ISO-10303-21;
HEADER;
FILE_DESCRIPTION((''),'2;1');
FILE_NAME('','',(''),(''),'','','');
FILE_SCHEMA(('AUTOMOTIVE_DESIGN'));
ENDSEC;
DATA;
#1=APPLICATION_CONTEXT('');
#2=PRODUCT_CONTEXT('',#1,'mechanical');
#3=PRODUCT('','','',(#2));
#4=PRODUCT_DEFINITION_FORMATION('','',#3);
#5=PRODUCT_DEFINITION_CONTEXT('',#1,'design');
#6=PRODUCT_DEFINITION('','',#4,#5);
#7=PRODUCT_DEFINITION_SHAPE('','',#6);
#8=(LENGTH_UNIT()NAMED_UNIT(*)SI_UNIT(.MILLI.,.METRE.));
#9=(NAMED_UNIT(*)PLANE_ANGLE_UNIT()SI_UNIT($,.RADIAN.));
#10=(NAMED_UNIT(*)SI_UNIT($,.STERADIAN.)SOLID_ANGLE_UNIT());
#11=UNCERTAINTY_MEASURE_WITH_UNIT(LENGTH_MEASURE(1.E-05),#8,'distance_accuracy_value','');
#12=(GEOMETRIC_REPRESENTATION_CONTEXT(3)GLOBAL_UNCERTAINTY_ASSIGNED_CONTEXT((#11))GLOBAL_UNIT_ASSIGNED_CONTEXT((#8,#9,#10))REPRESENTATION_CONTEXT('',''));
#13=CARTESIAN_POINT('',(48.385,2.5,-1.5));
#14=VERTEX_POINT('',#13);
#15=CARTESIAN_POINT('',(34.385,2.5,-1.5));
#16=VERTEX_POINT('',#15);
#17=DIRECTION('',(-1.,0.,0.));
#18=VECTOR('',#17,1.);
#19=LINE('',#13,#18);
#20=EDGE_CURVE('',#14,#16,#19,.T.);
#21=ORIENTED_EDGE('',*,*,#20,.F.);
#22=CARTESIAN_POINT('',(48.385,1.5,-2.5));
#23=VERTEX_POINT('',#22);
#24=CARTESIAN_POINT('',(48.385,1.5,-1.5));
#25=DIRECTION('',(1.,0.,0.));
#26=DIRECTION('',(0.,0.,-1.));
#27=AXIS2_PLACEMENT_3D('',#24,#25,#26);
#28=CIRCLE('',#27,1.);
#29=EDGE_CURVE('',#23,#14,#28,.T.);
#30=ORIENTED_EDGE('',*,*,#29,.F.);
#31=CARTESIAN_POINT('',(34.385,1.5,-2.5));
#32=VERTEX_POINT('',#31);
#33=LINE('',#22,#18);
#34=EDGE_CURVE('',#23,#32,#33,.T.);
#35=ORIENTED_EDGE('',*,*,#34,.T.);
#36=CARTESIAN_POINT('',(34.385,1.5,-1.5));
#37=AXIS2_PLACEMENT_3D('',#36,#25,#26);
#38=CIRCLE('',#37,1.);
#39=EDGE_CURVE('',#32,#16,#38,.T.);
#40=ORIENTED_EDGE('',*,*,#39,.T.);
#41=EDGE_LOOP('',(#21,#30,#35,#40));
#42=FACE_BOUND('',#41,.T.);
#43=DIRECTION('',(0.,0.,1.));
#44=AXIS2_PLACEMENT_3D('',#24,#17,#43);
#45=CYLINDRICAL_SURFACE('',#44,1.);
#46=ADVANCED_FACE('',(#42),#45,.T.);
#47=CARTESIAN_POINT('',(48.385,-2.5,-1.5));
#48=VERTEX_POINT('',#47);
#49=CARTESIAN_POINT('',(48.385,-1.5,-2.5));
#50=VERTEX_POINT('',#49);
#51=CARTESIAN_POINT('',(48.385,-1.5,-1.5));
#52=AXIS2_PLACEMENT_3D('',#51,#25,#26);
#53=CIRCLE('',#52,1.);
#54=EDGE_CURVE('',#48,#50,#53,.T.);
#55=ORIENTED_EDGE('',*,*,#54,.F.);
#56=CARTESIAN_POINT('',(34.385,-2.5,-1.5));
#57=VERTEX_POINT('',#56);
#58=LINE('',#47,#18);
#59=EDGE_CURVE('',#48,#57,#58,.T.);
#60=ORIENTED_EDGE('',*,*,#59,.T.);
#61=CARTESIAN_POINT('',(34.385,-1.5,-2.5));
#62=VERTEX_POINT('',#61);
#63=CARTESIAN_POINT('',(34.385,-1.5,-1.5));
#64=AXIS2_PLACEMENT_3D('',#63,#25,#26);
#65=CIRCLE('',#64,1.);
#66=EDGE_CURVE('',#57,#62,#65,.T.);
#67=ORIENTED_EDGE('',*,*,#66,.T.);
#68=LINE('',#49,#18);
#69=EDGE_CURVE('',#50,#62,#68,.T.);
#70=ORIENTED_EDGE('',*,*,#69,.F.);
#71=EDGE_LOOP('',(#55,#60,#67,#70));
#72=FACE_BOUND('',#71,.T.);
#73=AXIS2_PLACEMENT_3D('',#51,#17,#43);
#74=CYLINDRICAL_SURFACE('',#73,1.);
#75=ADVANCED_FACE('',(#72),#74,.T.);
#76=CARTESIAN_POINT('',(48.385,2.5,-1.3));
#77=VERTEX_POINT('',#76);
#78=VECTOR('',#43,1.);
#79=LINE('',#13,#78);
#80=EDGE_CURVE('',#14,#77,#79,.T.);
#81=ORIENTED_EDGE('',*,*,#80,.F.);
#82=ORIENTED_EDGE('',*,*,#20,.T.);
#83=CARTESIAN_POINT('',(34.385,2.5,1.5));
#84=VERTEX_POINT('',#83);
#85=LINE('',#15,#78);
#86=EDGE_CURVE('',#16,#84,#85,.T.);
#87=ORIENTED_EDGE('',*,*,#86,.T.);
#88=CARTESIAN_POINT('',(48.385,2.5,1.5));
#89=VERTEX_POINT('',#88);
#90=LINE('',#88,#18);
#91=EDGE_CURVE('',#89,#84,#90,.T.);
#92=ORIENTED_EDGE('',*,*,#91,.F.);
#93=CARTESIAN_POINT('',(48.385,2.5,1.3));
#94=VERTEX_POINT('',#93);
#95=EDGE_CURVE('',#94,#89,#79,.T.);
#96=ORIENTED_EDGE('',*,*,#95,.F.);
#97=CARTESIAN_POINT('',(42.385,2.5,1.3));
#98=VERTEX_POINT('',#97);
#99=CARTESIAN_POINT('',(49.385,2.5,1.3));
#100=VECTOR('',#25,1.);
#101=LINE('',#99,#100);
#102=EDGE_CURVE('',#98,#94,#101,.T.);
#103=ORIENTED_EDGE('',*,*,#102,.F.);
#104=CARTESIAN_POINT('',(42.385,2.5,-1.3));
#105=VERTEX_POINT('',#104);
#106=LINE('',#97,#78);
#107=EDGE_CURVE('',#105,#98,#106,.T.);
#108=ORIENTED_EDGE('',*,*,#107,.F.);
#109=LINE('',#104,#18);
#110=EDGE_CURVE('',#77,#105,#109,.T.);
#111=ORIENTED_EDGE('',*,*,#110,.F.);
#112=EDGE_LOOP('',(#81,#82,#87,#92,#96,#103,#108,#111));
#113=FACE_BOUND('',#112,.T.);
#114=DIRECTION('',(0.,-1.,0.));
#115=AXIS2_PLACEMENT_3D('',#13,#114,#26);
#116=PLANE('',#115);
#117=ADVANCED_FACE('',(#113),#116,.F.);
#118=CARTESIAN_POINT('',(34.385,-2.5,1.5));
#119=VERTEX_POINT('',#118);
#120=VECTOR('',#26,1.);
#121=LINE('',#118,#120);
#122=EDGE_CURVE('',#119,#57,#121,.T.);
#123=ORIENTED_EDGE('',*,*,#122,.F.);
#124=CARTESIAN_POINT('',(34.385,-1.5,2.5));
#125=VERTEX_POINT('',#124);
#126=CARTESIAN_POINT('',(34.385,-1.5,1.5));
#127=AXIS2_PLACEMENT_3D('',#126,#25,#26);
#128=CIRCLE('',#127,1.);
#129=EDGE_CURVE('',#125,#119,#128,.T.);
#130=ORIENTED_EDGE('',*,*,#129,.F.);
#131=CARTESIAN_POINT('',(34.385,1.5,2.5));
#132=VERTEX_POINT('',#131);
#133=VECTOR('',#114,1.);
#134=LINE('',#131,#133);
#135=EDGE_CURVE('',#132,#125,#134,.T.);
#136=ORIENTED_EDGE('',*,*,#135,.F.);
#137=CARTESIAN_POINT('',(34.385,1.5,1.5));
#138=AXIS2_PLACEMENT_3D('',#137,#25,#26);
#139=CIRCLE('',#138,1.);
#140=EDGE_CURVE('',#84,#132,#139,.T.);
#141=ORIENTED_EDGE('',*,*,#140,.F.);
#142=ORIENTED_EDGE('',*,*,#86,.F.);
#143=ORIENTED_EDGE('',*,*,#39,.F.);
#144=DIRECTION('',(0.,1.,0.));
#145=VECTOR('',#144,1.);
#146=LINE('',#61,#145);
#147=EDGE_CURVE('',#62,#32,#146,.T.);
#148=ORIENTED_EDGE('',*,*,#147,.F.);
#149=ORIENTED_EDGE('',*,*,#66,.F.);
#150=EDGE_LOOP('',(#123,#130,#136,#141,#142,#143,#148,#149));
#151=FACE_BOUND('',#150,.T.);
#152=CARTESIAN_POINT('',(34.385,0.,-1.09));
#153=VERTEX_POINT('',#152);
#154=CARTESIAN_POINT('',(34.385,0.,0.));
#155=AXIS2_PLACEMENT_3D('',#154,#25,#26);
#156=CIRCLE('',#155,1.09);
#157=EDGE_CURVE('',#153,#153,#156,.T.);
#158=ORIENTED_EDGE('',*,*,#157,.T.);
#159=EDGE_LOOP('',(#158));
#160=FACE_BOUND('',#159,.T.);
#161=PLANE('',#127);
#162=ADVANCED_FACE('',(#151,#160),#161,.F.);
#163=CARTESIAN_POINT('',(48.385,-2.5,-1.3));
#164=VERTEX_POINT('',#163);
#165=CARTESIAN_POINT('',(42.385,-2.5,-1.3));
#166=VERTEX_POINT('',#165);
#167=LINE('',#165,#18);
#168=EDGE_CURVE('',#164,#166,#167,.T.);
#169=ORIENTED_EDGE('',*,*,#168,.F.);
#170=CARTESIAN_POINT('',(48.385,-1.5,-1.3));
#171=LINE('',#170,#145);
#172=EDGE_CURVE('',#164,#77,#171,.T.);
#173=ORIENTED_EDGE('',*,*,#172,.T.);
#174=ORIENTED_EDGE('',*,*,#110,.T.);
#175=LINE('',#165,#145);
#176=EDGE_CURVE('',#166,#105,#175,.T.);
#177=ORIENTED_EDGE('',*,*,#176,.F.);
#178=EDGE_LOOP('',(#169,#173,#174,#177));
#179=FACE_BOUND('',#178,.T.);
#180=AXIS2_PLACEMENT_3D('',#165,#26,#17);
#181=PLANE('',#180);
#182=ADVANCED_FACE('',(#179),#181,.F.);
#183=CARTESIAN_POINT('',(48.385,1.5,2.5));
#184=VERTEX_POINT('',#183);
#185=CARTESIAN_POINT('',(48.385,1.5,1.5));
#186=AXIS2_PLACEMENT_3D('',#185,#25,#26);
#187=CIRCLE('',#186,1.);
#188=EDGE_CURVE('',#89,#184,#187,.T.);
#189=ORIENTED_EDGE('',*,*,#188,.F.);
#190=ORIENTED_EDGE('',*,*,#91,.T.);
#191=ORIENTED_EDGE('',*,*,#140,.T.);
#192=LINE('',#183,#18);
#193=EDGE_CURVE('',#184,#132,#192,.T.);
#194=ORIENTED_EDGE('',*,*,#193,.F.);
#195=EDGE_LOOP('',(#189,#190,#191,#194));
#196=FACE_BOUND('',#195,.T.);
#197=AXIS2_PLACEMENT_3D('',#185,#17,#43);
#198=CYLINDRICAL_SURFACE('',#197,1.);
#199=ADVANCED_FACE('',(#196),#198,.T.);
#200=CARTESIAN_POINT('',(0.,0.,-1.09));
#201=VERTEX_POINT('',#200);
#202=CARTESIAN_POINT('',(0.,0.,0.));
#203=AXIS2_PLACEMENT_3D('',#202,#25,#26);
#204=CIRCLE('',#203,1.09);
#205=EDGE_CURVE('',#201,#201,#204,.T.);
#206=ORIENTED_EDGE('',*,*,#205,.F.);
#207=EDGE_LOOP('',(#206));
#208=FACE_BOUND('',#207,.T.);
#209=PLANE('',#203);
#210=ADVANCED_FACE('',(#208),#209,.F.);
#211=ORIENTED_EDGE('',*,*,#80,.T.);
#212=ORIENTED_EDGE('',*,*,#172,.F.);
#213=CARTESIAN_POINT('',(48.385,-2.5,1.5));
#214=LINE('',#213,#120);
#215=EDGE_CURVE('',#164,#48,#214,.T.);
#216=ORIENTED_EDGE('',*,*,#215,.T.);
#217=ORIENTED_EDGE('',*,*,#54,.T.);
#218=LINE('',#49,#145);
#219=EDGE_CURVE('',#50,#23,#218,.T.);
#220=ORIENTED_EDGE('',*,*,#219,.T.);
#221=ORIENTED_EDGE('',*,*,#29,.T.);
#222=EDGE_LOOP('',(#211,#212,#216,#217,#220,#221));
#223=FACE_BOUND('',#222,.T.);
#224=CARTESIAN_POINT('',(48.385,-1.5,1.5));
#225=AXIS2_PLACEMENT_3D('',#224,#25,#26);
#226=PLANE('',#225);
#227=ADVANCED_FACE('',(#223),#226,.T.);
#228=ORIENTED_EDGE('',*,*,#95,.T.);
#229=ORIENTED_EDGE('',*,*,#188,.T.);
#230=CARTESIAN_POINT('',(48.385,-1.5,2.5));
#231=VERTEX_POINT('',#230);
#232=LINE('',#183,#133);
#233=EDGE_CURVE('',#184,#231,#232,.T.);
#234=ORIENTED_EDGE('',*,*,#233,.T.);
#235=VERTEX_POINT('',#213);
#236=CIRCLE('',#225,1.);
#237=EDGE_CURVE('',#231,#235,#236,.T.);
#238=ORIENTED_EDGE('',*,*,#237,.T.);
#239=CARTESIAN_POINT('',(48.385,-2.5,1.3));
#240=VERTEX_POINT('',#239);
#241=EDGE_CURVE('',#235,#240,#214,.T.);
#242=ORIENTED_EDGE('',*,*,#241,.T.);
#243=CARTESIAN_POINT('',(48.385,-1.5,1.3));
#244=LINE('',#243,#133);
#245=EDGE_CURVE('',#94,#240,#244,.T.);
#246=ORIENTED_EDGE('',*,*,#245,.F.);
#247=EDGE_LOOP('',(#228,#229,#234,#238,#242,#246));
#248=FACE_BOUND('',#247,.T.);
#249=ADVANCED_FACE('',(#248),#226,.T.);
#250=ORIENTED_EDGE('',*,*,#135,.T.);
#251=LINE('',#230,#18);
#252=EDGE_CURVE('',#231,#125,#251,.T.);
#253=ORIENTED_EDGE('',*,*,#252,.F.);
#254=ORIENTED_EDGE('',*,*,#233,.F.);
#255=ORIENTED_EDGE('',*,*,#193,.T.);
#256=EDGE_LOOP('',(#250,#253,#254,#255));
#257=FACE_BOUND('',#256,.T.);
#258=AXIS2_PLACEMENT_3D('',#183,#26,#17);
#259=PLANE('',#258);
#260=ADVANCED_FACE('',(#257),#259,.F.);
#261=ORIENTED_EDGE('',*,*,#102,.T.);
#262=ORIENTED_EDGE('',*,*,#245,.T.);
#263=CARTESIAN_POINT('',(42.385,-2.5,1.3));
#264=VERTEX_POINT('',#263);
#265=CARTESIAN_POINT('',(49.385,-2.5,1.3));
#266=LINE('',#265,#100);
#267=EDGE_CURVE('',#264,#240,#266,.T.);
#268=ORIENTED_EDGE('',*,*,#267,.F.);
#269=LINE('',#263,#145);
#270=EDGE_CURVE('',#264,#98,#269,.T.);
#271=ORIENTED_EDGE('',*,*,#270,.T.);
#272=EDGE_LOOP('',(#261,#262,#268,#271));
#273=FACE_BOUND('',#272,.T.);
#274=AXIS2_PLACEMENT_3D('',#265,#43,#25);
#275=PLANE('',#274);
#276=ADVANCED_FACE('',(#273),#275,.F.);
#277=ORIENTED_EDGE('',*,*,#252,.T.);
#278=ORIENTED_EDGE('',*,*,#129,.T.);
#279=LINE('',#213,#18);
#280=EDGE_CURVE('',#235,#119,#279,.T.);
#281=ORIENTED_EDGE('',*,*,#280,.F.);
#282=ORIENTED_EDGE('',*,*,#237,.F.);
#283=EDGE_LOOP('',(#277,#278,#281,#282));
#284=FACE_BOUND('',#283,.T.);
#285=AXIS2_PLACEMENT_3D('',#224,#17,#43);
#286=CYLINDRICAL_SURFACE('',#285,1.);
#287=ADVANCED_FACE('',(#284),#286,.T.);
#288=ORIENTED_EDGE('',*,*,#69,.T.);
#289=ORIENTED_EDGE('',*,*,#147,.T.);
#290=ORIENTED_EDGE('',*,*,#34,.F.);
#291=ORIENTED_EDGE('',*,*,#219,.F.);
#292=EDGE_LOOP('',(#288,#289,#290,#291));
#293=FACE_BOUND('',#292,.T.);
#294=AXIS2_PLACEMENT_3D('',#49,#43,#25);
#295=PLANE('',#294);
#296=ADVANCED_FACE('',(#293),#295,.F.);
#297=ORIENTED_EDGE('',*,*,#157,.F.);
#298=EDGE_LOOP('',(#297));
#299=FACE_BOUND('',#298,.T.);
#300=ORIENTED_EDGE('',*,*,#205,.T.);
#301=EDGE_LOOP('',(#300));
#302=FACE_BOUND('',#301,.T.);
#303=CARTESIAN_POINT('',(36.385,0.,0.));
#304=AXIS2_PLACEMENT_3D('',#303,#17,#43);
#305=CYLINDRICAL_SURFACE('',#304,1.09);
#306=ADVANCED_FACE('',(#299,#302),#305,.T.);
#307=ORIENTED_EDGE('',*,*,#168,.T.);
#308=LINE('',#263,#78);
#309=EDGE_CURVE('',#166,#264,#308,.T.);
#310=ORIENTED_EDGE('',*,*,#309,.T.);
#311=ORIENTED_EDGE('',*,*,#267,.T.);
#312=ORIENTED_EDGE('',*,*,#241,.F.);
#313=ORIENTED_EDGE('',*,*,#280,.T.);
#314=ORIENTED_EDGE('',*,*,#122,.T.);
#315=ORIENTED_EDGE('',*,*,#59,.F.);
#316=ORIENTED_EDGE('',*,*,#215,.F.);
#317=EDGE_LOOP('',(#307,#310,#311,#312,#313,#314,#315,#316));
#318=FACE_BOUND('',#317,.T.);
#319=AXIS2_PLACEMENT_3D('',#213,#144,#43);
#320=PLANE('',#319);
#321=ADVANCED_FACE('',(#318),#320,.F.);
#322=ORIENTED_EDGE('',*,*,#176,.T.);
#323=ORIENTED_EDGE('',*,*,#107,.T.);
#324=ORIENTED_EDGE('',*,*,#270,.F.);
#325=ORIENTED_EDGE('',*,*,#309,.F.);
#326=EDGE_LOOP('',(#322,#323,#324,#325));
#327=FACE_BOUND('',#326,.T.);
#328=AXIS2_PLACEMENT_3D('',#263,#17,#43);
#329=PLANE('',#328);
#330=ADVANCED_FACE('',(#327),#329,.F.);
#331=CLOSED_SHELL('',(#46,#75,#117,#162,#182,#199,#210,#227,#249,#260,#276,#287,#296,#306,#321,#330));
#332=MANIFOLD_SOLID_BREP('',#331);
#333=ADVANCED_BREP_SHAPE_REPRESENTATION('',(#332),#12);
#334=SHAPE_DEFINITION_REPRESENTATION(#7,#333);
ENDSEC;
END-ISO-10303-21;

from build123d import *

# Parameters (mm, degrees)
SKETCH1_R               = 1.09
BOSS_EXTRUDE1_DEPTH     = 36.385
BOSS_EXTRUDE2_DEPTH     = 14
CUT_EXTRUDE1_DEPTH      = 49.514000299
CUT_EXTRUDE1_DEPTH_BACK = 49.514000299
SKETCH3_W               = 7
SKETCH3_H               = 2.6


with BuildPart() as part:
    # Sketch1 → Boss-Extrude1 (new body)
    with BuildSketch(Plane(origin=(0, 0, 0), x_dir=(0, 0, -1), z_dir=(1, 0, 0))):
        Circle(SKETCH1_R)
    extrude(amount=BOSS_EXTRUDE1_DEPTH)

    # Sketch2 → Boss-Extrude2 (add)
    with BuildSketch(Plane(origin=(34.385, 0, 0), x_dir=(0, 0, -1), z_dir=(1, 0, 0))):
        with BuildLine():
            Line((-1.5, -2.5), (1.5, -2.5))
            ThreePointArc((1.5, -2.5), (2.207106781, -2.207106781), (2.5, -1.5))
            Line((2.5, -1.5), (2.5, 1.5))
            ThreePointArc((2.5, 1.5), (2.207106781, 2.207106781), (1.5, 2.5))
            Line((1.5, 2.5), (-1.5, 2.5))
            ThreePointArc((-1.5, 2.5), (-2.207106781, 2.207106781), (-2.5, 1.5))
            Line((-2.5, 1.5), (-2.5, -1.5))
            ThreePointArc((-2.5, -1.5), (-2.207106781, -2.207106781), (-1.5, -2.5))
        make_face()
    extrude(amount=BOSS_EXTRUDE2_DEPTH)

    # Sketch3 → Cut-Extrude1 (cut, two sides: drawn at the far end of the back side and taken through both)
    with BuildSketch(Plane(origin=(0, 0, 0), x_dir=(1, 0, 0), z_dir=(0, 1, 0)).offset(-CUT_EXTRUDE1_DEPTH_BACK)):
        with Locations((45.885, 0)):
            Rectangle(SKETCH3_W, SKETCH3_H)
    extrude(amount=CUT_EXTRUDE1_DEPTH + CUT_EXTRUDE1_DEPTH_BACK, mode=Mode.SUBTRACT)


solid = part.part
